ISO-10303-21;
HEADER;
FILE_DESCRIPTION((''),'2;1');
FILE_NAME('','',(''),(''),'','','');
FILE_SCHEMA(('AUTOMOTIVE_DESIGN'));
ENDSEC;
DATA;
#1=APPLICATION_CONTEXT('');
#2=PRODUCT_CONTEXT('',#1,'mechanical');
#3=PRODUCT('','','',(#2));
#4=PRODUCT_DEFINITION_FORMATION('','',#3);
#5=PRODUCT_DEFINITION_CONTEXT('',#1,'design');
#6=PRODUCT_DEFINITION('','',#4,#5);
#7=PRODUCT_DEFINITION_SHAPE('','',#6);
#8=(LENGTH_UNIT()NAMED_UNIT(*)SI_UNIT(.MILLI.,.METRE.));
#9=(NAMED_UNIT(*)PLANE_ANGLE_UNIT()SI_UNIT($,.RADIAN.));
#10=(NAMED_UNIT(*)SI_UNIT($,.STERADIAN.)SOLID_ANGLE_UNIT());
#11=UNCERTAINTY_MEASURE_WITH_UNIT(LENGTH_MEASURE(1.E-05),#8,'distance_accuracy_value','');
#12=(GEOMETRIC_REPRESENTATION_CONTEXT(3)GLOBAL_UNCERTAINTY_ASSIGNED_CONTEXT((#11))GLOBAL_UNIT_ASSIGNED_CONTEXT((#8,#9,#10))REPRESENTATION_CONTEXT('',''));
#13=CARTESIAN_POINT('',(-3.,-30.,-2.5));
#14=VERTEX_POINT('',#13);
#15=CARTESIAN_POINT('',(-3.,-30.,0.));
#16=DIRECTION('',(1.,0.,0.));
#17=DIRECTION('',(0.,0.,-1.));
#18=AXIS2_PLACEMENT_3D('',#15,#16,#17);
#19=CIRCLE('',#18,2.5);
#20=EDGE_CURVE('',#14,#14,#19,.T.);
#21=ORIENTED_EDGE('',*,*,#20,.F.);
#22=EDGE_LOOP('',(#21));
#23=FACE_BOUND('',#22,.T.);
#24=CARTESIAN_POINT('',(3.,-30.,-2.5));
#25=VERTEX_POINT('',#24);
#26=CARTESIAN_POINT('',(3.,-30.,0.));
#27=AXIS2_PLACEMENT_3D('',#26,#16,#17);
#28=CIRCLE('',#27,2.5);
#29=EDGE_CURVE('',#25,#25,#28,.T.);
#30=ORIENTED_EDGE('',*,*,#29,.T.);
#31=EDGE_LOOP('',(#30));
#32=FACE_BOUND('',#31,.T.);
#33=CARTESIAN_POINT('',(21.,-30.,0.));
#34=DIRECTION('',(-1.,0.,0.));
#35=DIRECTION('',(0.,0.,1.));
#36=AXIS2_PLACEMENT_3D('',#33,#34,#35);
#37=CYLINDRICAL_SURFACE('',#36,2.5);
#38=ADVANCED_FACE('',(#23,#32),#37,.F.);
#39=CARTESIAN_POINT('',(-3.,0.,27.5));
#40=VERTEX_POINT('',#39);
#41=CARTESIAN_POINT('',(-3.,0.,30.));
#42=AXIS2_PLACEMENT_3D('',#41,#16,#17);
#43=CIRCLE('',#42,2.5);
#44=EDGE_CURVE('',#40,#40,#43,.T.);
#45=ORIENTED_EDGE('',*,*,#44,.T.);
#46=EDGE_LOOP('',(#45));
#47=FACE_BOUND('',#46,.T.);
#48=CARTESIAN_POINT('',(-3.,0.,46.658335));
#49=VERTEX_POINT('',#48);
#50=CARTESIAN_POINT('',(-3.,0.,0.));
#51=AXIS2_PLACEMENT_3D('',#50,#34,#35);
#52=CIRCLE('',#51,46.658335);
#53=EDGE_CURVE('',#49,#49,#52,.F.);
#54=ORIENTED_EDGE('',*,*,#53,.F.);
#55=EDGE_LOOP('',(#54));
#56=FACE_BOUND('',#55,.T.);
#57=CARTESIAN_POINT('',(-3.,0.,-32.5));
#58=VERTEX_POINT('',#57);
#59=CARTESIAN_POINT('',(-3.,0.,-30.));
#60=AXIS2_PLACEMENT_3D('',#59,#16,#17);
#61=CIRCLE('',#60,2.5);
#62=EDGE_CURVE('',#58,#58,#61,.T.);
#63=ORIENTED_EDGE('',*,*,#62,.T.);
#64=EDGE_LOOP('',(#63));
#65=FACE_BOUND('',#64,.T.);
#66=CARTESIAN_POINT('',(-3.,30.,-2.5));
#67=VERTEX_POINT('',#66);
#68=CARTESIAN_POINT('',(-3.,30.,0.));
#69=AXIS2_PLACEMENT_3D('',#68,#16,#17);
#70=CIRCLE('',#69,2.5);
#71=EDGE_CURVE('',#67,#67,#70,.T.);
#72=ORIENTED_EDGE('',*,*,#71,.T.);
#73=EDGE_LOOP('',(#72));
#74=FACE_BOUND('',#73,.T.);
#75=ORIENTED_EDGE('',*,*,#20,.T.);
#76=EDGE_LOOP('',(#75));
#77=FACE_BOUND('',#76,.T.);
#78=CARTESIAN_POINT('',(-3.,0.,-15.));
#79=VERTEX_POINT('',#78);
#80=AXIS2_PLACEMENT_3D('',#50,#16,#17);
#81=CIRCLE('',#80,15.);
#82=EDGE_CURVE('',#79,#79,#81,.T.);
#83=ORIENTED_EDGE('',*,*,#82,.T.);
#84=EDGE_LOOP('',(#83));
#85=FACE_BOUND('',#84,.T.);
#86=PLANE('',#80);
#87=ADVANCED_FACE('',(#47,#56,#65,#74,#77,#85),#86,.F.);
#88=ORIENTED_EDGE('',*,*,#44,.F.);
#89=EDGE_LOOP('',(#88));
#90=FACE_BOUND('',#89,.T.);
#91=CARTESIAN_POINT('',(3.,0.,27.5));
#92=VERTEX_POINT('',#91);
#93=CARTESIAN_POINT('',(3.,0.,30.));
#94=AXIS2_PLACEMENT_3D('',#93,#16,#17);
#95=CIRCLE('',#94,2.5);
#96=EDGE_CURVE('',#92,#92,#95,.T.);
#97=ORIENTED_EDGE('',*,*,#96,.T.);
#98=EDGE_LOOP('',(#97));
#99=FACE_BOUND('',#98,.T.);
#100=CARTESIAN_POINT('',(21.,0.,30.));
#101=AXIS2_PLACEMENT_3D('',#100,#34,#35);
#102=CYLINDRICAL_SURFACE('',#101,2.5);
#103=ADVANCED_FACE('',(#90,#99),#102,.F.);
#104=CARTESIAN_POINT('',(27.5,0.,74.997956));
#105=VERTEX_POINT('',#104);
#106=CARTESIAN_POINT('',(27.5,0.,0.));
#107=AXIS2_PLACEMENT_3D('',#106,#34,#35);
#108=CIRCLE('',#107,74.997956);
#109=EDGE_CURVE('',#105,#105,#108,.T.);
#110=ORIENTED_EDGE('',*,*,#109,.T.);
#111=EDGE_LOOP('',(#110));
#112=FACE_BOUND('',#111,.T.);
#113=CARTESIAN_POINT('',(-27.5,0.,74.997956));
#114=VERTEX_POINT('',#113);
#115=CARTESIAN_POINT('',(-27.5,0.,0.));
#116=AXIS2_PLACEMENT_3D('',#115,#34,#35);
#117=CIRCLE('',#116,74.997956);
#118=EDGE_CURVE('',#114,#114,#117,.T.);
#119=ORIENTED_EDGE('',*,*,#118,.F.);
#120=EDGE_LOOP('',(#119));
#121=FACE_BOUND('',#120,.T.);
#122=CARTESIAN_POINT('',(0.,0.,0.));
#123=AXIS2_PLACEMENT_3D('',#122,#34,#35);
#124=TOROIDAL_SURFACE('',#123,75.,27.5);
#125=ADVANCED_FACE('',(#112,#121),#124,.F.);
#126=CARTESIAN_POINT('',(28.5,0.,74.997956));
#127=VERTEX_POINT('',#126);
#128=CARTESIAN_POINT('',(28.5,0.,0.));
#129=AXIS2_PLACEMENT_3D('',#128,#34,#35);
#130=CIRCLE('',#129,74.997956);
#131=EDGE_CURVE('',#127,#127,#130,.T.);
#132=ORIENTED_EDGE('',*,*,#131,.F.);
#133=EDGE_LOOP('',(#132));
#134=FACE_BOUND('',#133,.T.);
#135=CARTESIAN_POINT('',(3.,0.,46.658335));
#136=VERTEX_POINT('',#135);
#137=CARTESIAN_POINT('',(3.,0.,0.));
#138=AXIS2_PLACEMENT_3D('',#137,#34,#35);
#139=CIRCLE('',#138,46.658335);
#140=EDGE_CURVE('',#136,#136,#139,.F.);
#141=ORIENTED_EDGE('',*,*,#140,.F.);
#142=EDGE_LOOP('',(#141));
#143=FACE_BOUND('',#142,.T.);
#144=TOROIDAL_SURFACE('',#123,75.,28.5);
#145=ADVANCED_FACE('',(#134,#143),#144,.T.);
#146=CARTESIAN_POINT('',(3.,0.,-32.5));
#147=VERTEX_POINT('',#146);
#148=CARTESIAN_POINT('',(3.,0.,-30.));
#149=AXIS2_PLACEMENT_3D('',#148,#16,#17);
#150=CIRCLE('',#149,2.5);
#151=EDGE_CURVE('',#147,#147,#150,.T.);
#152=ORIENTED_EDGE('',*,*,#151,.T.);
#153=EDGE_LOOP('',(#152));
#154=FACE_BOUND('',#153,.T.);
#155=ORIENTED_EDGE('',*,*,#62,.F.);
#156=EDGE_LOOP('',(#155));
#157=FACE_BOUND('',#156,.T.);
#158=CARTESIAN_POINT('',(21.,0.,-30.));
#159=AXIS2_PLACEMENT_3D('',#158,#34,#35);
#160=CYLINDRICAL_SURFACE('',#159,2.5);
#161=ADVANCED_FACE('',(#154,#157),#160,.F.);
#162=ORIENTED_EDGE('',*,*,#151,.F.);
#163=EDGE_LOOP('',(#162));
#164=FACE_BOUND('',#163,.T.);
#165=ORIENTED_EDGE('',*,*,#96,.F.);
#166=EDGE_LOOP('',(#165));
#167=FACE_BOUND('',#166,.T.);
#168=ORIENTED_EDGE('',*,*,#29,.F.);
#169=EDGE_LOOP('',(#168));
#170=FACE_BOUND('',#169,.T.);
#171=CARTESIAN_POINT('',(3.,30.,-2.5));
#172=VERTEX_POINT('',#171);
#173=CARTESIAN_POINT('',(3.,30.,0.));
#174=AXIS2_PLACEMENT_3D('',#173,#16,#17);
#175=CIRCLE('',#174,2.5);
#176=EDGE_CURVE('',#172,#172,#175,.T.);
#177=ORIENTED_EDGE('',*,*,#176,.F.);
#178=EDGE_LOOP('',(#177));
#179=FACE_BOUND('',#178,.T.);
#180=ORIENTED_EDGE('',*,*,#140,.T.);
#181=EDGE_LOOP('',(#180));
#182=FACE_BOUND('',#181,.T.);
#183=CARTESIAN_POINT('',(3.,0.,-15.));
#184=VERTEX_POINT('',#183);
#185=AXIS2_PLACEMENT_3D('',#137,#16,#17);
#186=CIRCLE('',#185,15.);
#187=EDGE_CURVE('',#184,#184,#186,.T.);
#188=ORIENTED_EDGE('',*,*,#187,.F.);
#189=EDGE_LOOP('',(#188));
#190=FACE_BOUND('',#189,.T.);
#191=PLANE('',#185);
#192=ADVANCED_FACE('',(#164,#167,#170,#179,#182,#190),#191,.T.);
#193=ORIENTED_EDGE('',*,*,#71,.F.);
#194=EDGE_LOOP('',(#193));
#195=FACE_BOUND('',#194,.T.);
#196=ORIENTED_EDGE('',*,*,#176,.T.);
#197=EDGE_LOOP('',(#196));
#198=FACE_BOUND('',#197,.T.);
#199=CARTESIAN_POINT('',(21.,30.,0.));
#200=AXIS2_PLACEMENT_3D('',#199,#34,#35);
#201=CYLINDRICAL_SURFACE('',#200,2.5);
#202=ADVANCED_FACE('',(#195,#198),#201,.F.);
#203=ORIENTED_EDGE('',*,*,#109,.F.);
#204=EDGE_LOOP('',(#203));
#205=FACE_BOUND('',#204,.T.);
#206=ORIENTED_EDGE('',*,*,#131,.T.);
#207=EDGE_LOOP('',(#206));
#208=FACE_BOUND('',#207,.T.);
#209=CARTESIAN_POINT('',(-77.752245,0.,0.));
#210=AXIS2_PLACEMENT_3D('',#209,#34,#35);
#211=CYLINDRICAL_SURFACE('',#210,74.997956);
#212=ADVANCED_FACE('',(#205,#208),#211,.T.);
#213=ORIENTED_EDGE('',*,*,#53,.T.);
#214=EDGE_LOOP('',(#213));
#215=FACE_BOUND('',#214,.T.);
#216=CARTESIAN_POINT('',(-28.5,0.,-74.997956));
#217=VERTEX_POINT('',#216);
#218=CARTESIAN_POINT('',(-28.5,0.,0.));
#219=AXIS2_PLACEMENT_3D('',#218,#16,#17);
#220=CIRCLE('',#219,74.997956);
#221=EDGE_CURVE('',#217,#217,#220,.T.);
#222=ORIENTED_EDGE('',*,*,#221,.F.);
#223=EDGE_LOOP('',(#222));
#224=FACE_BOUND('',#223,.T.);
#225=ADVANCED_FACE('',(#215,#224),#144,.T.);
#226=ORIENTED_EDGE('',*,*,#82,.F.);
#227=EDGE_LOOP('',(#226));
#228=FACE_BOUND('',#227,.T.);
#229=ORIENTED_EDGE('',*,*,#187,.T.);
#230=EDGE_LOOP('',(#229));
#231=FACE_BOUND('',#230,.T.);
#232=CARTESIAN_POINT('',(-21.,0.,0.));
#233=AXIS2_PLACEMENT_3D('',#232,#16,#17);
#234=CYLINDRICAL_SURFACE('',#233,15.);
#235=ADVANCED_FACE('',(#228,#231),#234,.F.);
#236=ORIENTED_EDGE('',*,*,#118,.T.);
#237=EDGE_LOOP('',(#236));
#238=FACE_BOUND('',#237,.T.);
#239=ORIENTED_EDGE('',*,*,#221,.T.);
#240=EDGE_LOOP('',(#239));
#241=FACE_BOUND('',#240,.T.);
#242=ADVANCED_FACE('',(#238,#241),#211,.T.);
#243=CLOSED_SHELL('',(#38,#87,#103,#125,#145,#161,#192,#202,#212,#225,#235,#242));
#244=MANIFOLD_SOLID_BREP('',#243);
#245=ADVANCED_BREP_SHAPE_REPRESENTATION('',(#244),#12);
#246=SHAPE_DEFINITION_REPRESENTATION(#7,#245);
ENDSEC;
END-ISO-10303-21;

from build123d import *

# Parameters (mm, degrees)
SKETCH1_R           = 101.6
BOSS_EXTRUDE1_DEPTH = 27.5
CUT_EXTRUDE1_START  = -3
SKETCH2_R           = 60
CUT_EXTRUDE1_DEPTH  = 500
CUT_EXTRUDE2_START  = 503
SKETCH2_2_R         = 60
CUT_EXTRUDE2_DEPTH  = 500
FILLET1_R           = 15
FILLET5_R           = 6
SKETCH5_W           = 2
SKETCH5_H           = 10
CUT_EXTRUDE4_DEPTH  = 26
SKETCH6_R           = 15
CUT_EXTRUDE5_DEPTH  = 24
SKETCH7_R           = 2.5
CUT_EXTRUDE6_DEPTH  = 24
SKETCH8_R           = 127.50390304
SKETCH8_R_2         = 75
CUT_EXTRUDE7_DEPTH  = 35
SKETCH9_R           = 28.5


with BuildPart() as part:
    # Sketch1 → Boss-Extrude1 (new, symmetric)
    with BuildSketch(Plane(origin=(0, 0, 0), x_dir=(0, 0, -1), z_dir=(1, 0, 0))):
        Circle(SKETCH1_R)
    extrude(amount=BOSS_EXTRUDE1_DEPTH, both=True)

    # Sketch2 → Cut-Extrude1 (cut)
    with BuildSketch(Plane(origin=(0, 0, 0), x_dir=(0, 0, -1), z_dir=(1, 0, 0)).offset(CUT_EXTRUDE1_START)):
        Circle(SKETCH2_R)
    extrude(amount=-CUT_EXTRUDE1_DEPTH, mode=Mode.SUBTRACT)

    # Sketch2<2> → Cut-Extrude2 (cut)
    with BuildSketch(Plane(origin=(0, 0, 0), x_dir=(0, 0, -1), z_dir=(1, 0, 0)).offset(CUT_EXTRUDE2_START)):
        Circle(SKETCH2_2_R)
    extrude(amount=-CUT_EXTRUDE2_DEPTH, mode=Mode.SUBTRACT)

    # Fillet1
    fillet1_edges = [part.edges().sort_by_distance(p)[0] for p in [
        (-27.5, 0, 60),
        (27.5, 0, 60),
    ]]
    fillet(fillet1_edges, radius=FILLET1_R)

    # Fillet5
    fillet5_edges = [part.edges().sort_by_distance(p)[0] for p in [
        (27.5, 0, 101.6),
        (-27.5, 0, 101.6),
    ]]
    fillet(fillet5_edges, radius=FILLET5_R)

    # Sketch5 → Cut-Extrude4 (cut, symmetric)
    with BuildSketch(Plane(origin=(0, 0, 0), x_dir=(0, 0, -1), z_dir=(1, 0, 0))):
        Polygon((8.416153141, 104.666940178), (10.408101729, 104.487661561), (9.51170864, 94.527918621), (7.519760052, 94.707197238), align=None)
        with Locations((0, 100)):
            Rectangle(SKETCH5_W, SKETCH5_H)
        Polygon((17.764544365, 103.491163698), (19.732403542, 103.134049908), (17.946834594, 93.294754022), (15.978975417, 93.651867812), align=None)
        Polygon((26.969905924, 101.482137219), (28.897831645, 100.950063528), (26.23746319, 91.310434921), (24.309537468, 91.842508612), align=None)
        Polygon((35.958121658, 98.656036241), (37.830591399, 97.953286593), (34.316843158, 88.590937887), (32.444373417, 89.293687535), align=None)
        Polygon((44.656823739, 95.035614869), (46.458761475, 94.167847391), (42.119924084, 85.158158712), (40.317986348, 86.02592619), align=None)
        Polygon((52.995975334, 90.650022606), (54.712872921, 89.624224051), (49.583880147, 81.039736115), (47.86698256, 82.06553467), align=None)
        Polygon((60.908434496, 85.534569662), (62.526468485, 84.358999157), (56.648615962, 76.268829213), (55.030581973, 77.444399718), align=None)
        Polygon((68.330494758, 79.730442656), (69.83663769, 78.414565204), (63.25725043, 70.883850544), (61.751107498, 72.199727996), align=None)
        Polygon((75.202398053, 73.284373007), (76.584523351, 71.83878328), (69.356574713, 64.92815679), (67.974449415, 66.373746518), align=None)
        Polygon((81.468815857, 66.248260678), (82.715795461, 64.684597713), (74.897480636, 58.449699694), (73.650501033, 60.013362659), align=None)
        Polygon((87.079294659, 58.678756306), (88.181088622, 57.009609799), (79.835356085, 51.500639984), (78.733562122, 53.169786492), align=None)
        Polygon((91.988662182, 50.636805092), (92.936399507, 48.875614028), (84.130444189, 44.136927403), (83.182706864, 45.898118467), align=None)
        Polygon((96.157391086, 42.187156096), (96.94344115, 40.348100551), (87.748163424, 36.417850235), (86.962113361, 38.25690578), align=None)
        Polygon((99.551917217, 33.397840926), (100.169951205, 31.495727893), (90.659386042, 28.405557949), (90.041352054, 30.307670982), align=None)
        Polygon((102.144909845, 24.339625978), (102.589951713, 22.389770153), (92.840672591, 20.164560814), (92.395630723, 22.114416638), align=None)
        Polygon((103.91549172, 15.085442673), (104.183958251, 13.103543149), (94.274460634, 11.761210491), (94.005994102, 13.743110014), align=None)
        Polygon((104.849407157, 5.709800253), (104.939136817, 3.71181412), (94.949206152, 3.263165817), (94.859476491, 5.26115195), align=None)
        Polygon((104.939136817, -3.71181412), (104.849407157, -5.709800253), (94.859476491, -5.26115195), (94.949206152, -3.263165817), align=None)
        Polygon((104.183958251, -13.103543149), (103.91549172, -15.085442673), (94.005994102, -13.743110014), (94.274460634, -11.761210491), align=None)
        Polygon((102.589951713, -22.389770153), (102.144909845, -24.339625978), (92.395630723, -22.114416638), (92.840672591, -20.164560814), align=None)
        Polygon((100.169951205, -31.495727893), (99.551917217, -33.397840926), (90.041352054, -30.307670982), (90.659386042, -28.405557949), align=None)
        Polygon((96.94344115, -40.348100551), (96.157391086, -42.187156096), (86.962113361, -38.25690578), (87.748163424, -36.417850235), align=None)
        Polygon((92.936399507, -48.875614028), (91.988662183, -50.636805092), (83.182706864, -45.898118467), (84.130444189, -44.136927403), align=None)
        Polygon((88.181088622, -57.009609799), (87.079294659, -58.678756306), (78.733562122, -53.169786492), (79.835356085, -51.500639984), align=None)
        Polygon((82.715795461, -64.684597713), (81.468815857, -66.248260678), (73.650501033, -60.013362659), (74.897480636, -58.449699694), align=None)
        Polygon((76.584523351, -71.83878328), (75.202398053, -73.284373007), (67.974449415, -66.373746518), (69.356574713, -64.92815679), align=None)
        Polygon((69.83663769, -78.414565204), (68.330494758, -79.730442656), (61.751107498, -72.199727996), (63.25725043, -70.883850544), align=None)
        Polygon((62.526468485, -84.358999157), (60.908434496, -85.534569662), (55.030581973, -77.444399718), (56.648615962, -76.268829213), align=None)
        Polygon((54.712872921, -89.624224051), (52.995975334, -90.650022606), (47.86698256, -82.06553467), (49.583880147, -81.039736115), align=None)
        Polygon((46.458761475, -94.167847391), (44.656823739, -95.035614869), (40.317986348, -86.02592619), (42.119924084, -85.158158712), align=None)
        Polygon((37.830591399, -97.953286593), (35.958121658, -98.656036241), (32.444373417, -89.293687535), (34.316843158, -88.590937887), align=None)
        Polygon((28.897831645, -100.950063527), (26.969905924, -101.482137219), (24.309537468, -91.842508612), (26.23746319, -91.310434921), align=None)
        Polygon((19.732403542, -103.134049908), (17.764544365, -103.491163698), (15.978975417, -93.651867812), (17.946834594, -93.294754022), align=None)
        Polygon((10.408101729, -104.487661561), (8.416153141, -104.666940178), (7.519760052, -94.707197238), (9.51170864, -94.527918621), align=None)
        with Locations((0, -100)):
            Rectangle(SKETCH5_W, SKETCH5_H)
        Polygon((-8.416153141, -104.666940178), (-10.408101729, -104.487661561), (-9.51170864, -94.527918621), (-7.519760052, -94.707197238), align=None)
        Polygon((-17.764544365, -103.491163698), (-19.732403542, -103.134049908), (-17.946834594, -93.294754022), (-15.978975417, -93.651867812), align=None)
        Polygon((-26.969905924, -101.482137219), (-28.897831645, -100.950063528), (-26.23746319, -91.310434921), (-24.309537468, -91.842508612), align=None)
        Polygon((-35.958121658, -98.656036241), (-37.830591399, -97.953286593), (-34.316843158, -88.590937887), (-32.444373417, -89.293687535), align=None)
        Polygon((-44.656823739, -95.035614869), (-46.458761475, -94.167847391), (-42.119924084, -85.158158712), (-40.317986348, -86.02592619), align=None)
        Polygon((-52.995975334, -90.650022606), (-54.712872921, -89.624224051), (-49.583880147, -81.039736115), (-47.86698256, -82.06553467), align=None)
        Polygon((-60.908434496, -85.534569662), (-62.526468485, -84.358999157), (-56.648615962, -76.268829213), (-55.030581973, -77.444399718), align=None)
        Polygon((-68.330494758, -79.730442656), (-69.83663769, -78.414565204), (-63.25725043, -70.883850544), (-61.751107498, -72.199727996), align=None)
        Polygon((-75.202398053, -73.284373007), (-76.584523351, -71.83878328), (-69.356574713, -64.92815679), (-67.974449415, -66.373746518), align=None)
        Polygon((-81.468815857, -66.248260678), (-82.715795461, -64.684597713), (-74.897480636, -58.449699694), (-73.650501033, -60.013362659), align=None)
        Polygon((-87.079294659, -58.678756306), (-88.181088622, -57.009609799), (-79.835356085, -51.500639984), (-78.733562122, -53.169786492), align=None)
        Polygon((-91.988662182, -50.636805092), (-92.936399507, -48.875614028), (-84.130444189, -44.136927403), (-83.182706864, -45.898118467), align=None)
        Polygon((-96.157391086, -42.187156096), (-96.94344115, -40.348100551), (-87.748163424, -36.417850235), (-86.962113361, -38.25690578), align=None)
        Polygon((-99.551917217, -33.397840926), (-100.169951205, -31.495727893), (-90.659386042, -28.405557949), (-90.041352054, -30.307670982), align=None)
        Polygon((-102.144909845, -24.339625978), (-102.589951713, -22.389770153), (-92.840672591, -20.164560814), (-92.395630723, -22.114416638), align=None)
        Polygon((-103.91549172, -15.085442673), (-104.183958251, -13.103543149), (-94.274460634, -11.761210491), (-94.005994102, -13.743110014), align=None)
        Polygon((-104.849407156, -5.709800253), (-104.939136817, -3.71181412), (-94.949206152, -3.263165817), (-94.859476491, -5.26115195), align=None)
        Polygon((-104.939136817, 3.71181412), (-104.849407156, 5.709800253), (-94.859476491, 5.26115195), (-94.949206152, 3.263165817), align=None)
        Polygon((-104.183958251, 13.103543149), (-103.91549172, 15.085442673), (-94.005994102, 13.743110014), (-94.274460634, 11.761210491), align=None)
        Polygon((-102.589951713, 22.389770153), (-102.144909845, 24.339625978), (-92.395630723, 22.114416638), (-92.840672591, 20.164560814), align=None)
        Polygon((-100.169951205, 31.495727893), (-99.551917217, 33.397840926), (-90.041352054, 30.307670982), (-90.659386042, 28.405557949), align=None)
        Polygon((-96.94344115, 40.348100551), (-96.157391086, 42.187156096), (-86.962113361, 38.25690578), (-87.748163424, 36.417850235), align=None)
        Polygon((-92.936399507, 48.875614028), (-91.988662182, 50.636805092), (-83.182706864, 45.898118467), (-84.130444189, 44.136927403), align=None)
        Polygon((-88.181088622, 57.009609799), (-87.079294659, 58.678756306), (-78.733562122, 53.169786492), (-79.835356085, 51.500639984), align=None)
        Polygon((-82.715795461, 64.684597713), (-81.468815857, 66.248260678), (-73.650501033, 60.013362659), (-74.897480636, 58.449699694), align=None)
        Polygon((-76.584523351, 71.83878328), (-75.202398053, 73.284373007), (-67.974449415, 66.373746518), (-69.356574713, 64.92815679), align=None)
        Polygon((-69.83663769, 78.414565204), (-68.330494758, 79.730442656), (-61.751107498, 72.199727996), (-63.25725043, 70.883850544), align=None)
        Polygon((-62.526468485, 84.358999157), (-60.908434496, 85.534569662), (-55.030581973, 77.444399718), (-56.648615962, 76.268829213), align=None)
        Polygon((-54.712872921, 89.624224051), (-52.995975334, 90.650022606), (-47.86698256, 82.06553467), (-49.583880147, 81.039736115), align=None)
        Polygon((-46.458761475, 94.167847391), (-44.656823739, 95.035614869), (-40.317986348, 86.02592619), (-42.119924084, 85.158158712), align=None)
        Polygon((-37.830591399, 97.953286593), (-35.958121658, 98.656036241), (-32.444373417, 89.293687535), (-34.316843158, 88.590937887), align=None)
        Polygon((-28.897831645, 100.950063527), (-26.969905924, 101.482137219), (-24.309537468, 91.842508612), (-26.23746319, 91.310434921), align=None)
        Polygon((-19.732403542, 103.134049908), (-17.764544365, 103.491163698), (-15.978975417, 93.651867812), (-17.946834594, 93.294754022), align=None)
        Polygon((-10.408101729, 104.487661561), (-8.416153141, 104.666940178), (-7.519760052, 94.707197238), (-9.51170864, 94.527918621), align=None)
    extrude(amount=CUT_EXTRUDE4_DEPTH, both=True, mode=Mode.SUBTRACT)

    # Sketch6 → Cut-Extrude5 (cut, symmetric)
    with BuildSketch(Plane(origin=(3, 0, 0), x_dir=(0, 0, -1), z_dir=(1, 0, 0))):
        Circle(SKETCH6_R)
    extrude(amount=CUT_EXTRUDE5_DEPTH, both=True, mode=Mode.SUBTRACT)

    # Sketch7 → Cut-Extrude6 (cut, symmetric)
    with BuildSketch(Plane.ZY.offset(3)):
        with Locations((30, 0)):
            Circle(SKETCH7_R)
        with Locations((0, -30)):
            Circle(SKETCH7_R)
        with Locations((-30, 0)):
            Circle(SKETCH7_R)
        with Locations((0, 30)):
            Circle(SKETCH7_R)
    extrude(amount=CUT_EXTRUDE6_DEPTH, both=True, mode=Mode.SUBTRACT)

    # Sketch8 → Cut-Extrude7 (cut, symmetric)
    with BuildSketch(Plane(origin=(0, 0, 0), x_dir=(0, 0, -1), z_dir=(1, 0, 0))):
        Circle(SKETCH8_R)
        Circle(SKETCH8_R_2, mode=Mode.SUBTRACT)
    extrude(amount=CUT_EXTRUDE7_DEPTH, both=True, mode=Mode.SUBTRACT)

    # Sketch9 → Revolve1 (revolve)
    with BuildSketch(Plane(origin=(0, 0, 0), x_dir=(1, 0, 0), z_dir=(0, 1, 0))):
        with Locations((0, 75)):
            Circle(SKETCH9_R)
    revolve(axis=Axis((-37.662242246, 0, 0), (1, 0, 0)))

    # Sketch10 → Cut-Revolve1 (revolve, cut)
    with BuildSketch(Plane(origin=(0, 0, 0), x_dir=(1, 0, 0), z_dir=(0, 1, 0))):
        with BuildLine():
            Line((40, 109.76204441), (-40, 109.76204441))
            Line((-40, 109.76204441), (-40, 74.99795559))
            Line((-40, 74.99795559), (-27.499999924, 74.99795559))
            ThreePointArc((-27.499999924, 74.99795559), (0, 47.5), (27.499999924, 74.99795559))
            Line((27.499999924, 74.99795559), (40, 74.99795559))
            Line((40, 74.99795559), (40, 109.76204441))
        make_face()
    revolve(axis=Axis((-77.752245463, 0, 0), (1, 0, 0)), mode=Mode.SUBTRACT)


solid = part.part
